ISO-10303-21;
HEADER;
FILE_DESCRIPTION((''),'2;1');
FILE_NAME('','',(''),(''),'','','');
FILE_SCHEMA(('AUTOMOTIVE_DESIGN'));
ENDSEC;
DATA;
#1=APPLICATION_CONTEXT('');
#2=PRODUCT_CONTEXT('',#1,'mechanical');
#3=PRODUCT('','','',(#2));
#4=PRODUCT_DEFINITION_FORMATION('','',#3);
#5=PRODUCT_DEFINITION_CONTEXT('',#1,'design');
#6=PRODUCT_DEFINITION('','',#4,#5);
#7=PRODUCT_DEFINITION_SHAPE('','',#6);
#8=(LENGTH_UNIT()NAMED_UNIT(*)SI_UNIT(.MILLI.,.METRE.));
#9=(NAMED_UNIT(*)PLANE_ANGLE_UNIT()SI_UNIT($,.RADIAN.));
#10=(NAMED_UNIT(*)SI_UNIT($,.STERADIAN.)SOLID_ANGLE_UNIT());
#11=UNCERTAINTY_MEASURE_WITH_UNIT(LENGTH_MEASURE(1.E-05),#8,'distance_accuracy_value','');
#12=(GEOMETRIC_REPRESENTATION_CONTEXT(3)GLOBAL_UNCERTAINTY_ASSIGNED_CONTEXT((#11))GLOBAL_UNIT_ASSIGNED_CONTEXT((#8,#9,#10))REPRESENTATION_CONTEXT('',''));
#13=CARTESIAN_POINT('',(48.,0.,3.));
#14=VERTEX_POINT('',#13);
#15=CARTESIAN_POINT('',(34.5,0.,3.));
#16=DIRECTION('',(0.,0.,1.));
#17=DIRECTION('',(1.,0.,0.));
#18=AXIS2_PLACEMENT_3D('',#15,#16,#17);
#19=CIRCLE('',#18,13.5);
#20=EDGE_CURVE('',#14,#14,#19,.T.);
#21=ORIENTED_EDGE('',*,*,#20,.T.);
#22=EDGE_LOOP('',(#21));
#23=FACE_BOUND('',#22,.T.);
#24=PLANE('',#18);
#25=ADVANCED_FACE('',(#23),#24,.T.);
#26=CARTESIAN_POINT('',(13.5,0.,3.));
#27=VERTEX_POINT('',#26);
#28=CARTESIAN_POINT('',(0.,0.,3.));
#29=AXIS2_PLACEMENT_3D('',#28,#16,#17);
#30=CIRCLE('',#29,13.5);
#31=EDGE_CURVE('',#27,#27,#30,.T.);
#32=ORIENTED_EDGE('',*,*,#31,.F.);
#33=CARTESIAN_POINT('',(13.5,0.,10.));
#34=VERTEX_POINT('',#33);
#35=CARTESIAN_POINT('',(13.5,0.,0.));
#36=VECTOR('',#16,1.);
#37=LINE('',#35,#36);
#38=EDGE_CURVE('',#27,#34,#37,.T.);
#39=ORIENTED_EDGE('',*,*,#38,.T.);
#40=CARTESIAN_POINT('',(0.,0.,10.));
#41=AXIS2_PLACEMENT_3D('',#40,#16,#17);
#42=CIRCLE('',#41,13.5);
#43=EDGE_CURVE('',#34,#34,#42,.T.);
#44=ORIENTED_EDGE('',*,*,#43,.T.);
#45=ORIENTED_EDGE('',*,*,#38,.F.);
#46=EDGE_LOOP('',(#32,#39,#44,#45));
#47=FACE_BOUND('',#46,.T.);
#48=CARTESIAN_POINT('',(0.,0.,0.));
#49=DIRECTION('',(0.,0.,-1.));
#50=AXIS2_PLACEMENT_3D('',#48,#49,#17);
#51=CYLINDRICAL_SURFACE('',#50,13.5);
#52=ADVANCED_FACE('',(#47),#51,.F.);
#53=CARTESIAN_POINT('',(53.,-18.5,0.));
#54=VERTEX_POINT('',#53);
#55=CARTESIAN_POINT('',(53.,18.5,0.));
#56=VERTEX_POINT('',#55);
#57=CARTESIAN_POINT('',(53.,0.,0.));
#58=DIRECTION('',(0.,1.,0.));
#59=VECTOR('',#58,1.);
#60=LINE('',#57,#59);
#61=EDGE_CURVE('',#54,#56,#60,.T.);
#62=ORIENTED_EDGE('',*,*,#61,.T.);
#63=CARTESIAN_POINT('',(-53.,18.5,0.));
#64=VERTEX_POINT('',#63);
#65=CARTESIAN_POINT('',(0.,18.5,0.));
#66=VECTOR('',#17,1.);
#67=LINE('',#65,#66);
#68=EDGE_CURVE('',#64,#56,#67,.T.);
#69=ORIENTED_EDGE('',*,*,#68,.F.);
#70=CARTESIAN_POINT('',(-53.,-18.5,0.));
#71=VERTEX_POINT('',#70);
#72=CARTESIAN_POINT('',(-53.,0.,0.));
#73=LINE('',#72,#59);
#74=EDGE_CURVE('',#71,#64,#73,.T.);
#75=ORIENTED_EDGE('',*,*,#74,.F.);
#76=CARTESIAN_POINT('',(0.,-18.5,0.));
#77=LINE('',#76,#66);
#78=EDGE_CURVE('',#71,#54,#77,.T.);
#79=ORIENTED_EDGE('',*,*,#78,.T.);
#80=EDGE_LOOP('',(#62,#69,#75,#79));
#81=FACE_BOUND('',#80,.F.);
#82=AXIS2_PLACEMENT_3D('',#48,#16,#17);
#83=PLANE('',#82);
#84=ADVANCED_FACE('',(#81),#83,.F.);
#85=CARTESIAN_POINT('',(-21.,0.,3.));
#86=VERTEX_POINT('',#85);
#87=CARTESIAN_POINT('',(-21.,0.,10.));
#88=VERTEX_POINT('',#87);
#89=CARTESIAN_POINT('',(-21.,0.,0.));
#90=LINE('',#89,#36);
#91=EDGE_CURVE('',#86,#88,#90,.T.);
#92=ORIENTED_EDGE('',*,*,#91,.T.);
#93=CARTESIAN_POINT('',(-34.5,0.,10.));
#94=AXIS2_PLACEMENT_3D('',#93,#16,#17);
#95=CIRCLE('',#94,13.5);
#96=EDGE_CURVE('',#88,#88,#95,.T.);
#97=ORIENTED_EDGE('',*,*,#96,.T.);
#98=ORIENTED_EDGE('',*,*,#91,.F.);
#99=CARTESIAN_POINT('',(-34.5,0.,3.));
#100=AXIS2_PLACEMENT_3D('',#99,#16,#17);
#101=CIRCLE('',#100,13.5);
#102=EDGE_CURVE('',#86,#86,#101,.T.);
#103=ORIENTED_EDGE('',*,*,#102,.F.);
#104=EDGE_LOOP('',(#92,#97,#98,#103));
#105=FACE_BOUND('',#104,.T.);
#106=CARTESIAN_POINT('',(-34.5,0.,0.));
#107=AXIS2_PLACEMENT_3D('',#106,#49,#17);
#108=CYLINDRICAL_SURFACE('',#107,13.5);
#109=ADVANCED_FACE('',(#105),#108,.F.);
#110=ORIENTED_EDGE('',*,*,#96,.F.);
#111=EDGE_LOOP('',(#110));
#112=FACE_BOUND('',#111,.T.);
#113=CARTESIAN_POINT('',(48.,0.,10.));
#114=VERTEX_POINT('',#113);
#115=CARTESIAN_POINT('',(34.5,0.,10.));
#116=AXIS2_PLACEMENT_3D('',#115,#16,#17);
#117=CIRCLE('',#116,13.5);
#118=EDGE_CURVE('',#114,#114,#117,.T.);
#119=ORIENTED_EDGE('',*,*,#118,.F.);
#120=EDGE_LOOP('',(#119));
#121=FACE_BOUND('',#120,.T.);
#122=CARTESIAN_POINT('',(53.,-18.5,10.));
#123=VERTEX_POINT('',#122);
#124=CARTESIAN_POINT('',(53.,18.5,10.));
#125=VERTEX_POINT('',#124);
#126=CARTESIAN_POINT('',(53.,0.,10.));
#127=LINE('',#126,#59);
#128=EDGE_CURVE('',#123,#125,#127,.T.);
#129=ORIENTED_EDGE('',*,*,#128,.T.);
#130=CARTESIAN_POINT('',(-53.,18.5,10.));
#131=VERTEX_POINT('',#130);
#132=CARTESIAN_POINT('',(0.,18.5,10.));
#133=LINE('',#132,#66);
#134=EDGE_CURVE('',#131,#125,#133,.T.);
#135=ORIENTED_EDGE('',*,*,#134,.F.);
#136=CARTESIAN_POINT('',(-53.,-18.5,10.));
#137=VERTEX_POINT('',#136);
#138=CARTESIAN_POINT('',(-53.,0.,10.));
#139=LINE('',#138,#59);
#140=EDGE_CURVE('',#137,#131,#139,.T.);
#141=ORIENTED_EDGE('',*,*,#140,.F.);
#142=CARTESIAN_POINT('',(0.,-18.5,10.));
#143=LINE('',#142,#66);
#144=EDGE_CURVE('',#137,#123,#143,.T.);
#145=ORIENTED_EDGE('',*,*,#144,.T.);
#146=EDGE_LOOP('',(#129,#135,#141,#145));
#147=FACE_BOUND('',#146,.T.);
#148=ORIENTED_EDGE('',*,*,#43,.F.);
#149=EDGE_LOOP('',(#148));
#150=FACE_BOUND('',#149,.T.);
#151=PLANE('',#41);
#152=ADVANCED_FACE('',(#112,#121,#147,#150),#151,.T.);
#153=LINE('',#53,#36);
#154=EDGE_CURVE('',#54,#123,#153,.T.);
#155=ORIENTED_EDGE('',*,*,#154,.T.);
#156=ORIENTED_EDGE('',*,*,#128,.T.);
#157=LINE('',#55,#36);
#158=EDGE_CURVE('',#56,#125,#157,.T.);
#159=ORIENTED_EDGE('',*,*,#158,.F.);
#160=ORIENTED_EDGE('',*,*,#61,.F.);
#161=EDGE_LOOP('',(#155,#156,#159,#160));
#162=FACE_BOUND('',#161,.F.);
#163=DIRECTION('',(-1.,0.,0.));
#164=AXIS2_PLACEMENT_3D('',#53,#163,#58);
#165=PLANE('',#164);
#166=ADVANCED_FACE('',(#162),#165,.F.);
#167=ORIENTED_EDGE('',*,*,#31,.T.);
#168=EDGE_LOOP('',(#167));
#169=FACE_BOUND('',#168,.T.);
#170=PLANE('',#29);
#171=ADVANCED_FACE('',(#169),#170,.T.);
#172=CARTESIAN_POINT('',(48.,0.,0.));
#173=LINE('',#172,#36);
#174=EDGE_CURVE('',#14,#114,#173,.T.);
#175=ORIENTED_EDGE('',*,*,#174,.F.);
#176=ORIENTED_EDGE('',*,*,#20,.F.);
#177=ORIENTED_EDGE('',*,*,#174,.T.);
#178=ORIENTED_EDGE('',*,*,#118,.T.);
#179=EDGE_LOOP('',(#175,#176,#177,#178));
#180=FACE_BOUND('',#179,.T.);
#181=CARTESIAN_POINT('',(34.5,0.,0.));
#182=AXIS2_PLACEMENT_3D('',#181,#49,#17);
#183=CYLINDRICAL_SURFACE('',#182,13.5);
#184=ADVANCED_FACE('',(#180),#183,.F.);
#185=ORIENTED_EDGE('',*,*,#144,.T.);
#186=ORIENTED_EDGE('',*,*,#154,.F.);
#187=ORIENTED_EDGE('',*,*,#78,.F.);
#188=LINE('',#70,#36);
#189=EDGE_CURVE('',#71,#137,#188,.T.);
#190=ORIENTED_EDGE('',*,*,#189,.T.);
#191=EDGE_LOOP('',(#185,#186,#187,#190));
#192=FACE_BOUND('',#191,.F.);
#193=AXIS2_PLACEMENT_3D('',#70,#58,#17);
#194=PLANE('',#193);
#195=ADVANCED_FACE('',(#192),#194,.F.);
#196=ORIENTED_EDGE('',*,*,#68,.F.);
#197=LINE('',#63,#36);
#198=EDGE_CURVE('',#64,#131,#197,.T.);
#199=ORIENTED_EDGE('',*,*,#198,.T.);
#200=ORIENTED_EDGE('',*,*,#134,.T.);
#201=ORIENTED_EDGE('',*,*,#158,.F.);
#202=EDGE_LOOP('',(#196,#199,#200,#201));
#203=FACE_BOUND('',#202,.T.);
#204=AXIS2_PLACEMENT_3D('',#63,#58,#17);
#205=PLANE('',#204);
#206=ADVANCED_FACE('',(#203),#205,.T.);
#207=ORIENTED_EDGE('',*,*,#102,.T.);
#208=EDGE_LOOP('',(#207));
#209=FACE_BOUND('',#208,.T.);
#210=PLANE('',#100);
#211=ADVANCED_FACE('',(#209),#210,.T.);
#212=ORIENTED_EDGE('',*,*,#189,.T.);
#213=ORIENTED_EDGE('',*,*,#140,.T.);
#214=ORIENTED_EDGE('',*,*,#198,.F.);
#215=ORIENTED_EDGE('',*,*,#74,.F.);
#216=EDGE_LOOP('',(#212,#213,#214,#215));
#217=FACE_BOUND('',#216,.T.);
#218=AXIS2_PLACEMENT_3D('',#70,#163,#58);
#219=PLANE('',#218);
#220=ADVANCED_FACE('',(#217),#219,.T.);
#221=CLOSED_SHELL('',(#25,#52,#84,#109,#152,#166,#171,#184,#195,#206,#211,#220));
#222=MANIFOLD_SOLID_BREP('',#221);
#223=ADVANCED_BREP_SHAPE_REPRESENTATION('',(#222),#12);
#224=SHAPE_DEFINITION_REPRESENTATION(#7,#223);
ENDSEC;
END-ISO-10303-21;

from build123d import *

# Parameters (mm, degrees)
F0_W     = 106
F0_H     = 37
F0_R     = 13.5
F1_DEPTH = 10
F2_DEPTH = 3


with BuildPart() as f1:
    # F0 (on Top) → F1 (new body)
    with BuildSketch(Plane.XY):
        Rectangle(F0_W, F0_H)
        with Locations((-34.5, 0)):
            Circle(F0_R, mode=Mode.SUBTRACT)
        Circle(F0_R, mode=Mode.SUBTRACT)
        with Locations((34.5, 0)):
            Circle(F0_R, mode=Mode.SUBTRACT)
    extrude(amount=F1_DEPTH)

    # F0 (on Top) → F2 (join)
    with BuildSketch(Plane.XY):
        Circle(F0_R)
        with Locations((-34.5, 0)):
            Circle(F0_R)
        with Locations((34.5, 0)):
            Circle(F0_R)
    extrude(amount=F2_DEPTH)


solid = f1.part
